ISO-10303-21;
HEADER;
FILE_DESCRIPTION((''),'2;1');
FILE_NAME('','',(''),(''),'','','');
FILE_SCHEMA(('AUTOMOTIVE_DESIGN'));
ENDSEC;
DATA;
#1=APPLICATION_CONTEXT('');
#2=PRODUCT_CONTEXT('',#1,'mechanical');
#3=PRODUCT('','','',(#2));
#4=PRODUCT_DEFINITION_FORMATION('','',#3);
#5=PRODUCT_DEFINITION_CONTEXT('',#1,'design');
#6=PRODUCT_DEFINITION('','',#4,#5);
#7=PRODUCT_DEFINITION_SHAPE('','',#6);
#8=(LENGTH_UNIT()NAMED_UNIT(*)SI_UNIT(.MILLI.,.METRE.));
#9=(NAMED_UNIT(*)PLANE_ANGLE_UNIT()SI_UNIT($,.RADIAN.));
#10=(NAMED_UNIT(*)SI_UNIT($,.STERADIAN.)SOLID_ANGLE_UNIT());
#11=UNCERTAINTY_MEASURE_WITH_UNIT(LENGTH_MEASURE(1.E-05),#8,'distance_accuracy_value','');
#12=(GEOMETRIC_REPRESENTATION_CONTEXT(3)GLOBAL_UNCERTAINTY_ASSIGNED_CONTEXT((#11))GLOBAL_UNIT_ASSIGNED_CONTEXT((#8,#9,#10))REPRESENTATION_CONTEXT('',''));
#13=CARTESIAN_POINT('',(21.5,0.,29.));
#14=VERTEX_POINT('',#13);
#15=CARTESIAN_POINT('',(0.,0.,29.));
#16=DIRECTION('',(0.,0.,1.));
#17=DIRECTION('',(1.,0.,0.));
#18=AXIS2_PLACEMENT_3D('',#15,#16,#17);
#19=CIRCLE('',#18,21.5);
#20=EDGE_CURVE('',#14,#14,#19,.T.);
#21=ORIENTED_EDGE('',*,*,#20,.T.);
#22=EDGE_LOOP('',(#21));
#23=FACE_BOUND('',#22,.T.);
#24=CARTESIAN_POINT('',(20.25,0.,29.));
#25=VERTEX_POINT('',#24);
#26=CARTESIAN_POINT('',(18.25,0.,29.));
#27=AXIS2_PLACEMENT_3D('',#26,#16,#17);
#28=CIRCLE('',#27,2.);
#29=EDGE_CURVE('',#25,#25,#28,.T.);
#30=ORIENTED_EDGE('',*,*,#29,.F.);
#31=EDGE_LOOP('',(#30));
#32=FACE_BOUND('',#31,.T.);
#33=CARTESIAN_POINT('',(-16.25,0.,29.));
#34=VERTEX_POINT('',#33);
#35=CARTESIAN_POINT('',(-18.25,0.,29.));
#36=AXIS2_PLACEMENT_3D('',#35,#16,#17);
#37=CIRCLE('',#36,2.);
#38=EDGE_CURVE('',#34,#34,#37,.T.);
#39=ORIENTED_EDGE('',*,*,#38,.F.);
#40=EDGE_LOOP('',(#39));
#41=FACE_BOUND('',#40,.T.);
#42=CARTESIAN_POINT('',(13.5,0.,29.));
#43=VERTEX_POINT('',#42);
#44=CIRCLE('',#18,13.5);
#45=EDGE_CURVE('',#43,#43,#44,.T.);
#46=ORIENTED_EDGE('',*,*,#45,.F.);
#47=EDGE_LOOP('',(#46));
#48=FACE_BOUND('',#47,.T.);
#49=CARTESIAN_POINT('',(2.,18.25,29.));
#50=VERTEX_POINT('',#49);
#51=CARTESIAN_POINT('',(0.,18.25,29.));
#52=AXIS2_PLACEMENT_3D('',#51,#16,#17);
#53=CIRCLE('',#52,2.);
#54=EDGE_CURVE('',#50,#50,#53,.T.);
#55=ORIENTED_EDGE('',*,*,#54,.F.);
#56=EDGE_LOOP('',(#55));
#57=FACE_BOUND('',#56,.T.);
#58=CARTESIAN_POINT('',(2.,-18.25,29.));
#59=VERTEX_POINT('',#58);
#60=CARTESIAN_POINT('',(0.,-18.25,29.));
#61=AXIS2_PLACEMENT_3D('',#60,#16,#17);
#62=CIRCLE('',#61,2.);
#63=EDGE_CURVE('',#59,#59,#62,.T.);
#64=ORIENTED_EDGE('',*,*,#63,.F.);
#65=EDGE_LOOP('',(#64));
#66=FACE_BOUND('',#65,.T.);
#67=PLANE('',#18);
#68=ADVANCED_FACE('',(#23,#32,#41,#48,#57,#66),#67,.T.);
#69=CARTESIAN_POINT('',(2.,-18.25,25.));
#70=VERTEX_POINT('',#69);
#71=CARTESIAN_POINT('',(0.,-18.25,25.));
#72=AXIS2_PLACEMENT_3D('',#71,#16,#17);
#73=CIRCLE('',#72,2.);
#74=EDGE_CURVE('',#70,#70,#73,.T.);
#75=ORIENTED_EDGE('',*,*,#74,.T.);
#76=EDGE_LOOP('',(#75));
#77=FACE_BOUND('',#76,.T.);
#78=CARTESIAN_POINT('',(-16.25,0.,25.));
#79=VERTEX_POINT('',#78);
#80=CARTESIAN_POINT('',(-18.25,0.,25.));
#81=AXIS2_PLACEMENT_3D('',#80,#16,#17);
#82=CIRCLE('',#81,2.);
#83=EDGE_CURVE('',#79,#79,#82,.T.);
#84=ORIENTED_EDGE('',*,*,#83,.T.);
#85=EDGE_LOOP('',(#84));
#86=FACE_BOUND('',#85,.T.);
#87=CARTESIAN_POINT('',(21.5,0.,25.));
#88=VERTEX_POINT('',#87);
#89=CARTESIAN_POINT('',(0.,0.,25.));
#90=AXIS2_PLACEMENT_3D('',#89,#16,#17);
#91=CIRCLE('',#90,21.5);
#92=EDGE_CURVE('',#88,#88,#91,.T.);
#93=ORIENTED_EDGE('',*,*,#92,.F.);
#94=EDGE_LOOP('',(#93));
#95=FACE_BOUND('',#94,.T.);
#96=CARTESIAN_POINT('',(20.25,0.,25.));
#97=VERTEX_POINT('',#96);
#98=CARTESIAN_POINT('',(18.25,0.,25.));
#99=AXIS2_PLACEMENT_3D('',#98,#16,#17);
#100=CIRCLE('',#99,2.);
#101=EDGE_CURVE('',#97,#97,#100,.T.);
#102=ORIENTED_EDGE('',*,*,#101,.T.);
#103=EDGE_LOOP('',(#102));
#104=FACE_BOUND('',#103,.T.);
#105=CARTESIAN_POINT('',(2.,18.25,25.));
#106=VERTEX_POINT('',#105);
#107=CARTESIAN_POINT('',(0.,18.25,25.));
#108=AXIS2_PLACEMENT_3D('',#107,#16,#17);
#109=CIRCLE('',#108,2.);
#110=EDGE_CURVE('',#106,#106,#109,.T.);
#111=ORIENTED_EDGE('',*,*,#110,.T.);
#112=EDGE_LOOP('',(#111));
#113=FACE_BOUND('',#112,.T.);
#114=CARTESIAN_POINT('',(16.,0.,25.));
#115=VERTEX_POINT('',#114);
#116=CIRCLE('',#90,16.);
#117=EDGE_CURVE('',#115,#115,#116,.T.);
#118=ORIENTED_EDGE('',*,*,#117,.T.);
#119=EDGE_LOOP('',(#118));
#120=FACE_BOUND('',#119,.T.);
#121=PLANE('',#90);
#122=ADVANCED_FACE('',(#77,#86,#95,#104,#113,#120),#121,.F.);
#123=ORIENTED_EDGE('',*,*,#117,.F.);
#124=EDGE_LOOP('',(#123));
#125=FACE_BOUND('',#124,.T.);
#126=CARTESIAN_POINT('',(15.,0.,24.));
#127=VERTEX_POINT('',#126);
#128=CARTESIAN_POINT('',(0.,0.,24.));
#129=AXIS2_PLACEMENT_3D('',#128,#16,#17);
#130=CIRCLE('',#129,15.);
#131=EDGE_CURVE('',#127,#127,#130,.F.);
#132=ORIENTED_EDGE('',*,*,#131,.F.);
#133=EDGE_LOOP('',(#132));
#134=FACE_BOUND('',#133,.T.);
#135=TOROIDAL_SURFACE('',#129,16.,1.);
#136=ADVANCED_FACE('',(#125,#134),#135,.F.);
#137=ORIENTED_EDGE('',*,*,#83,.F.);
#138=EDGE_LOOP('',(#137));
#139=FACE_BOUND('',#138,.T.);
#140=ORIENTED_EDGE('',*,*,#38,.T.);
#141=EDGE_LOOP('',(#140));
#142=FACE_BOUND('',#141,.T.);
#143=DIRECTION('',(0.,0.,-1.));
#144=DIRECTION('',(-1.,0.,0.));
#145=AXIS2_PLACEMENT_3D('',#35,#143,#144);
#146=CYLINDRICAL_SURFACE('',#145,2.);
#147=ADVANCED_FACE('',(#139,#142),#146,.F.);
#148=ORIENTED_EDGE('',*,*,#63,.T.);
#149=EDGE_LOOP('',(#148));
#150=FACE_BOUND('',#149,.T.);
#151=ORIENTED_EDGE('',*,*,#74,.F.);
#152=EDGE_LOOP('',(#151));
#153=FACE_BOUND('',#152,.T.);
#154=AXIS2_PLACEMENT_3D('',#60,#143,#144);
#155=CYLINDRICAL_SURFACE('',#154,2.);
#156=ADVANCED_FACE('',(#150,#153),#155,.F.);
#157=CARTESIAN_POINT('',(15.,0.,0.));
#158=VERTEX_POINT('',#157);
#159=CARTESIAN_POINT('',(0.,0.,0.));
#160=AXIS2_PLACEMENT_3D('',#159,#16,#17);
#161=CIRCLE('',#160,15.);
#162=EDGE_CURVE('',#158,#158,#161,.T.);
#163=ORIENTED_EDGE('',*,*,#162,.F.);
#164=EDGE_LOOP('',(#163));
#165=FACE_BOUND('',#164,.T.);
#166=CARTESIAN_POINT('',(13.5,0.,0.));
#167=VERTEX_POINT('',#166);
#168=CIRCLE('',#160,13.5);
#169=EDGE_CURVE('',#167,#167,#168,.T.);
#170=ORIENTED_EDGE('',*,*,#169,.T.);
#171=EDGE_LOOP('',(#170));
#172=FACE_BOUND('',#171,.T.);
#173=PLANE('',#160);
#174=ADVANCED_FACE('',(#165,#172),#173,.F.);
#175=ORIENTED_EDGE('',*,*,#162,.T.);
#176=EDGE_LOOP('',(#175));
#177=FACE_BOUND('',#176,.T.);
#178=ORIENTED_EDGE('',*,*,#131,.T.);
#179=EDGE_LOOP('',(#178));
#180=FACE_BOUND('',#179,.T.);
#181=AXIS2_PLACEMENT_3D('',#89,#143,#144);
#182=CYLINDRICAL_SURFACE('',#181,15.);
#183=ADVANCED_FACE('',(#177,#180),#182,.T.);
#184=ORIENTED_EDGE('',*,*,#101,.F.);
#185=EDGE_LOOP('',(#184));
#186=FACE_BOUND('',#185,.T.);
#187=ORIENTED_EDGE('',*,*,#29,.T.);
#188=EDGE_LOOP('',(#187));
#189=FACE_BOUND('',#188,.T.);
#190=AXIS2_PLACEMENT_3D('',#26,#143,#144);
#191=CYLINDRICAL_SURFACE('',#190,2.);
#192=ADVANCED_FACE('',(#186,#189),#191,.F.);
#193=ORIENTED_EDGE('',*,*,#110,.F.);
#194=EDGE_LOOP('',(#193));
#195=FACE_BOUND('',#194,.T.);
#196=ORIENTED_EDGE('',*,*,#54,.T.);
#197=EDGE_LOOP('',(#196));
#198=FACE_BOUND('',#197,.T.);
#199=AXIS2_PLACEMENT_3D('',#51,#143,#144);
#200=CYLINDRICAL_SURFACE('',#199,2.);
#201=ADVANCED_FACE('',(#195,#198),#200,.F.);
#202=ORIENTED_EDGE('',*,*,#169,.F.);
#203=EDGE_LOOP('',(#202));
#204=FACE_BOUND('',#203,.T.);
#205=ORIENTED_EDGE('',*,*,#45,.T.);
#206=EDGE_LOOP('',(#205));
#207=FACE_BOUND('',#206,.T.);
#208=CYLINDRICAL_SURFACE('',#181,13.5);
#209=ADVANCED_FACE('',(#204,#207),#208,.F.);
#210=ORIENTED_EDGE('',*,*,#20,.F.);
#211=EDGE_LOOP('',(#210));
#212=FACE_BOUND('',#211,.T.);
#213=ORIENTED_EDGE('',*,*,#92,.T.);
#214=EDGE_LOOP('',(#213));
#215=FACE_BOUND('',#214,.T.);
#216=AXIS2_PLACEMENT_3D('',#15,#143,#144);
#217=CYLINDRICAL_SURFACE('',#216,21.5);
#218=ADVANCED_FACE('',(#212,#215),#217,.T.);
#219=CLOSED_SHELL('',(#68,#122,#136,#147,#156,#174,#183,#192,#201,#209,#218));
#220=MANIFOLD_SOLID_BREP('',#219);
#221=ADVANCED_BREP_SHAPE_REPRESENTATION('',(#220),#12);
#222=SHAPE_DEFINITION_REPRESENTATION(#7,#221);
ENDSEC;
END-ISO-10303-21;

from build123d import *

# Parameters (mm, degrees)
SKETCH_1_R      = 15
SKETCH_1_R_2    = 13.5
EXTRUDE_1_DEPTH = 25
SKETCH_2_R      = 21.5
SKETCH_2_R_2    = 13.5
SKETCH_2_R_3    = 2
EXTRUDE_3_DEPTH = 4
FILLET_2_R      = 1


with BuildPart() as part:
    # 草图1 → 凸台-拉伸1 (new body)
    with BuildSketch(Plane.XY):
        Circle(SKETCH_1_R)
        Circle(SKETCH_1_R_2, mode=Mode.SUBTRACT)
    extrude(amount=EXTRUDE_1_DEPTH)

    # 草图2 → 凸台-拉伸3 (add)
    with BuildSketch(Plane.XY.offset(25)):
        Circle(SKETCH_2_R)
        Circle(SKETCH_2_R_2, mode=Mode.SUBTRACT)
        with Locations((0, 18.25)):
            Circle(SKETCH_2_R_3, mode=Mode.SUBTRACT)
        with Locations((18.25, 0)):
            Circle(SKETCH_2_R_3, mode=Mode.SUBTRACT)
        with Locations((0, -18.25)):
            Circle(SKETCH_2_R_3, mode=Mode.SUBTRACT)
        with Locations((-18.25, 0)):
            Circle(SKETCH_2_R_3, mode=Mode.SUBTRACT)
    extrude(amount=EXTRUDE_3_DEPTH)

    # 圆角2
    fillet_2_edges = [part.edges().sort_by_distance(p)[0] for p in [
        (-15, 0, 25),
    ]]
    fillet(fillet_2_edges, radius=FILLET_2_R)


solid = part.part
